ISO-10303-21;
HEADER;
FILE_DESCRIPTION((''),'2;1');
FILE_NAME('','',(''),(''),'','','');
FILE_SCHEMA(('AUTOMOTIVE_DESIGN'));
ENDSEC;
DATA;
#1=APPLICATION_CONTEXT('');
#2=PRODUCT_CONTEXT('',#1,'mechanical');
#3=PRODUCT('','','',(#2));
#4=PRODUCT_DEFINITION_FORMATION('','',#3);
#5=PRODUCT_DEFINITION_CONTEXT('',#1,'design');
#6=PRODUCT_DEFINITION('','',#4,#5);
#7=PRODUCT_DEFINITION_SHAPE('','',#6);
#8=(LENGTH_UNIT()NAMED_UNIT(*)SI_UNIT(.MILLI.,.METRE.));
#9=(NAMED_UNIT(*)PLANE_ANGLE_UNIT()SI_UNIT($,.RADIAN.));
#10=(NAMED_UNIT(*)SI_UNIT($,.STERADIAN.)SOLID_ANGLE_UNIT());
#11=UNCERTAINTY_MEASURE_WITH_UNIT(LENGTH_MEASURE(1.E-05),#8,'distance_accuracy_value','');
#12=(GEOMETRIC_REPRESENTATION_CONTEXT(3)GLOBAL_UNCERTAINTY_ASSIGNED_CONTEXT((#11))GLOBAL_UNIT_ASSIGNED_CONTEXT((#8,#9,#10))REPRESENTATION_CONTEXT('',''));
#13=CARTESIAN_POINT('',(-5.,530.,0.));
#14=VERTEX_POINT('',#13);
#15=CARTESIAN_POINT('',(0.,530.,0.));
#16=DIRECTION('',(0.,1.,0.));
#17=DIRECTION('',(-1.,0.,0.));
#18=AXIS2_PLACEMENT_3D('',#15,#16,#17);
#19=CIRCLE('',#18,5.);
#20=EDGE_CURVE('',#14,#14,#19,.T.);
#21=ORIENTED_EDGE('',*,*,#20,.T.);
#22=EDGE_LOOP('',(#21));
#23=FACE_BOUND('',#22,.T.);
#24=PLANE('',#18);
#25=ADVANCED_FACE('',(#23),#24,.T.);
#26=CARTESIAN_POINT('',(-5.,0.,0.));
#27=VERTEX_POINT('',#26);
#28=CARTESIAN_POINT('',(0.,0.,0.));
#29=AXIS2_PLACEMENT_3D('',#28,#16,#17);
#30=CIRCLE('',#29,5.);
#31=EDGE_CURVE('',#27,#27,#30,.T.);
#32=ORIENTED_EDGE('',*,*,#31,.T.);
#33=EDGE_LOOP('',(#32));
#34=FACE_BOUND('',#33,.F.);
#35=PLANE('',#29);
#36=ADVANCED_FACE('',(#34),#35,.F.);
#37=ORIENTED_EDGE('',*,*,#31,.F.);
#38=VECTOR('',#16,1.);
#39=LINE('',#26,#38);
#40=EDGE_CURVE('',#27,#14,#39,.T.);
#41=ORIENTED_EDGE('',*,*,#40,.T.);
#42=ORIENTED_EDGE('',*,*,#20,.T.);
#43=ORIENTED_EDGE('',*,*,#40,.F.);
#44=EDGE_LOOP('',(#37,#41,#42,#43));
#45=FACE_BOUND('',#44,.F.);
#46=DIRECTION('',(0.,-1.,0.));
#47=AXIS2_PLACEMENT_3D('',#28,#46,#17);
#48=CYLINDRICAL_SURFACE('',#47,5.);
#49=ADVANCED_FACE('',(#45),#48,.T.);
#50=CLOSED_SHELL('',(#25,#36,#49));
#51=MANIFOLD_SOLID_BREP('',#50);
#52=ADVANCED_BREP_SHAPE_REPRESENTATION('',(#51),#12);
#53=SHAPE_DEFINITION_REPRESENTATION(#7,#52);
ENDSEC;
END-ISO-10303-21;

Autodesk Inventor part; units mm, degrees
ref_plane "YZ Plane" through (0, 0, 0) normal (1, 0, 0) x (0, 1, 0)
ref_plane "XZ Plane" through (0, 0, 0) normal (0, 1, 0) x (-1, 0, 0)
ref_plane "XY Plane" through (0, 0, 0) normal (0, 0, 1) x (1, 0, 0)
sketch "Sketch1" plane through (0, 0, 0) normal (0, 1, 0) x (-1, 0, 0)
  circle A0 centre (0, 0) radius 5
  dimension "d0" = 10
extrude "Extrusion1" add sketch "Sketch1" along normal blind 530
thread "Thread1" size "M10x1.5" class "6g" standard "ANSI Metric M Profile" full length
properties part number "M10x480"
